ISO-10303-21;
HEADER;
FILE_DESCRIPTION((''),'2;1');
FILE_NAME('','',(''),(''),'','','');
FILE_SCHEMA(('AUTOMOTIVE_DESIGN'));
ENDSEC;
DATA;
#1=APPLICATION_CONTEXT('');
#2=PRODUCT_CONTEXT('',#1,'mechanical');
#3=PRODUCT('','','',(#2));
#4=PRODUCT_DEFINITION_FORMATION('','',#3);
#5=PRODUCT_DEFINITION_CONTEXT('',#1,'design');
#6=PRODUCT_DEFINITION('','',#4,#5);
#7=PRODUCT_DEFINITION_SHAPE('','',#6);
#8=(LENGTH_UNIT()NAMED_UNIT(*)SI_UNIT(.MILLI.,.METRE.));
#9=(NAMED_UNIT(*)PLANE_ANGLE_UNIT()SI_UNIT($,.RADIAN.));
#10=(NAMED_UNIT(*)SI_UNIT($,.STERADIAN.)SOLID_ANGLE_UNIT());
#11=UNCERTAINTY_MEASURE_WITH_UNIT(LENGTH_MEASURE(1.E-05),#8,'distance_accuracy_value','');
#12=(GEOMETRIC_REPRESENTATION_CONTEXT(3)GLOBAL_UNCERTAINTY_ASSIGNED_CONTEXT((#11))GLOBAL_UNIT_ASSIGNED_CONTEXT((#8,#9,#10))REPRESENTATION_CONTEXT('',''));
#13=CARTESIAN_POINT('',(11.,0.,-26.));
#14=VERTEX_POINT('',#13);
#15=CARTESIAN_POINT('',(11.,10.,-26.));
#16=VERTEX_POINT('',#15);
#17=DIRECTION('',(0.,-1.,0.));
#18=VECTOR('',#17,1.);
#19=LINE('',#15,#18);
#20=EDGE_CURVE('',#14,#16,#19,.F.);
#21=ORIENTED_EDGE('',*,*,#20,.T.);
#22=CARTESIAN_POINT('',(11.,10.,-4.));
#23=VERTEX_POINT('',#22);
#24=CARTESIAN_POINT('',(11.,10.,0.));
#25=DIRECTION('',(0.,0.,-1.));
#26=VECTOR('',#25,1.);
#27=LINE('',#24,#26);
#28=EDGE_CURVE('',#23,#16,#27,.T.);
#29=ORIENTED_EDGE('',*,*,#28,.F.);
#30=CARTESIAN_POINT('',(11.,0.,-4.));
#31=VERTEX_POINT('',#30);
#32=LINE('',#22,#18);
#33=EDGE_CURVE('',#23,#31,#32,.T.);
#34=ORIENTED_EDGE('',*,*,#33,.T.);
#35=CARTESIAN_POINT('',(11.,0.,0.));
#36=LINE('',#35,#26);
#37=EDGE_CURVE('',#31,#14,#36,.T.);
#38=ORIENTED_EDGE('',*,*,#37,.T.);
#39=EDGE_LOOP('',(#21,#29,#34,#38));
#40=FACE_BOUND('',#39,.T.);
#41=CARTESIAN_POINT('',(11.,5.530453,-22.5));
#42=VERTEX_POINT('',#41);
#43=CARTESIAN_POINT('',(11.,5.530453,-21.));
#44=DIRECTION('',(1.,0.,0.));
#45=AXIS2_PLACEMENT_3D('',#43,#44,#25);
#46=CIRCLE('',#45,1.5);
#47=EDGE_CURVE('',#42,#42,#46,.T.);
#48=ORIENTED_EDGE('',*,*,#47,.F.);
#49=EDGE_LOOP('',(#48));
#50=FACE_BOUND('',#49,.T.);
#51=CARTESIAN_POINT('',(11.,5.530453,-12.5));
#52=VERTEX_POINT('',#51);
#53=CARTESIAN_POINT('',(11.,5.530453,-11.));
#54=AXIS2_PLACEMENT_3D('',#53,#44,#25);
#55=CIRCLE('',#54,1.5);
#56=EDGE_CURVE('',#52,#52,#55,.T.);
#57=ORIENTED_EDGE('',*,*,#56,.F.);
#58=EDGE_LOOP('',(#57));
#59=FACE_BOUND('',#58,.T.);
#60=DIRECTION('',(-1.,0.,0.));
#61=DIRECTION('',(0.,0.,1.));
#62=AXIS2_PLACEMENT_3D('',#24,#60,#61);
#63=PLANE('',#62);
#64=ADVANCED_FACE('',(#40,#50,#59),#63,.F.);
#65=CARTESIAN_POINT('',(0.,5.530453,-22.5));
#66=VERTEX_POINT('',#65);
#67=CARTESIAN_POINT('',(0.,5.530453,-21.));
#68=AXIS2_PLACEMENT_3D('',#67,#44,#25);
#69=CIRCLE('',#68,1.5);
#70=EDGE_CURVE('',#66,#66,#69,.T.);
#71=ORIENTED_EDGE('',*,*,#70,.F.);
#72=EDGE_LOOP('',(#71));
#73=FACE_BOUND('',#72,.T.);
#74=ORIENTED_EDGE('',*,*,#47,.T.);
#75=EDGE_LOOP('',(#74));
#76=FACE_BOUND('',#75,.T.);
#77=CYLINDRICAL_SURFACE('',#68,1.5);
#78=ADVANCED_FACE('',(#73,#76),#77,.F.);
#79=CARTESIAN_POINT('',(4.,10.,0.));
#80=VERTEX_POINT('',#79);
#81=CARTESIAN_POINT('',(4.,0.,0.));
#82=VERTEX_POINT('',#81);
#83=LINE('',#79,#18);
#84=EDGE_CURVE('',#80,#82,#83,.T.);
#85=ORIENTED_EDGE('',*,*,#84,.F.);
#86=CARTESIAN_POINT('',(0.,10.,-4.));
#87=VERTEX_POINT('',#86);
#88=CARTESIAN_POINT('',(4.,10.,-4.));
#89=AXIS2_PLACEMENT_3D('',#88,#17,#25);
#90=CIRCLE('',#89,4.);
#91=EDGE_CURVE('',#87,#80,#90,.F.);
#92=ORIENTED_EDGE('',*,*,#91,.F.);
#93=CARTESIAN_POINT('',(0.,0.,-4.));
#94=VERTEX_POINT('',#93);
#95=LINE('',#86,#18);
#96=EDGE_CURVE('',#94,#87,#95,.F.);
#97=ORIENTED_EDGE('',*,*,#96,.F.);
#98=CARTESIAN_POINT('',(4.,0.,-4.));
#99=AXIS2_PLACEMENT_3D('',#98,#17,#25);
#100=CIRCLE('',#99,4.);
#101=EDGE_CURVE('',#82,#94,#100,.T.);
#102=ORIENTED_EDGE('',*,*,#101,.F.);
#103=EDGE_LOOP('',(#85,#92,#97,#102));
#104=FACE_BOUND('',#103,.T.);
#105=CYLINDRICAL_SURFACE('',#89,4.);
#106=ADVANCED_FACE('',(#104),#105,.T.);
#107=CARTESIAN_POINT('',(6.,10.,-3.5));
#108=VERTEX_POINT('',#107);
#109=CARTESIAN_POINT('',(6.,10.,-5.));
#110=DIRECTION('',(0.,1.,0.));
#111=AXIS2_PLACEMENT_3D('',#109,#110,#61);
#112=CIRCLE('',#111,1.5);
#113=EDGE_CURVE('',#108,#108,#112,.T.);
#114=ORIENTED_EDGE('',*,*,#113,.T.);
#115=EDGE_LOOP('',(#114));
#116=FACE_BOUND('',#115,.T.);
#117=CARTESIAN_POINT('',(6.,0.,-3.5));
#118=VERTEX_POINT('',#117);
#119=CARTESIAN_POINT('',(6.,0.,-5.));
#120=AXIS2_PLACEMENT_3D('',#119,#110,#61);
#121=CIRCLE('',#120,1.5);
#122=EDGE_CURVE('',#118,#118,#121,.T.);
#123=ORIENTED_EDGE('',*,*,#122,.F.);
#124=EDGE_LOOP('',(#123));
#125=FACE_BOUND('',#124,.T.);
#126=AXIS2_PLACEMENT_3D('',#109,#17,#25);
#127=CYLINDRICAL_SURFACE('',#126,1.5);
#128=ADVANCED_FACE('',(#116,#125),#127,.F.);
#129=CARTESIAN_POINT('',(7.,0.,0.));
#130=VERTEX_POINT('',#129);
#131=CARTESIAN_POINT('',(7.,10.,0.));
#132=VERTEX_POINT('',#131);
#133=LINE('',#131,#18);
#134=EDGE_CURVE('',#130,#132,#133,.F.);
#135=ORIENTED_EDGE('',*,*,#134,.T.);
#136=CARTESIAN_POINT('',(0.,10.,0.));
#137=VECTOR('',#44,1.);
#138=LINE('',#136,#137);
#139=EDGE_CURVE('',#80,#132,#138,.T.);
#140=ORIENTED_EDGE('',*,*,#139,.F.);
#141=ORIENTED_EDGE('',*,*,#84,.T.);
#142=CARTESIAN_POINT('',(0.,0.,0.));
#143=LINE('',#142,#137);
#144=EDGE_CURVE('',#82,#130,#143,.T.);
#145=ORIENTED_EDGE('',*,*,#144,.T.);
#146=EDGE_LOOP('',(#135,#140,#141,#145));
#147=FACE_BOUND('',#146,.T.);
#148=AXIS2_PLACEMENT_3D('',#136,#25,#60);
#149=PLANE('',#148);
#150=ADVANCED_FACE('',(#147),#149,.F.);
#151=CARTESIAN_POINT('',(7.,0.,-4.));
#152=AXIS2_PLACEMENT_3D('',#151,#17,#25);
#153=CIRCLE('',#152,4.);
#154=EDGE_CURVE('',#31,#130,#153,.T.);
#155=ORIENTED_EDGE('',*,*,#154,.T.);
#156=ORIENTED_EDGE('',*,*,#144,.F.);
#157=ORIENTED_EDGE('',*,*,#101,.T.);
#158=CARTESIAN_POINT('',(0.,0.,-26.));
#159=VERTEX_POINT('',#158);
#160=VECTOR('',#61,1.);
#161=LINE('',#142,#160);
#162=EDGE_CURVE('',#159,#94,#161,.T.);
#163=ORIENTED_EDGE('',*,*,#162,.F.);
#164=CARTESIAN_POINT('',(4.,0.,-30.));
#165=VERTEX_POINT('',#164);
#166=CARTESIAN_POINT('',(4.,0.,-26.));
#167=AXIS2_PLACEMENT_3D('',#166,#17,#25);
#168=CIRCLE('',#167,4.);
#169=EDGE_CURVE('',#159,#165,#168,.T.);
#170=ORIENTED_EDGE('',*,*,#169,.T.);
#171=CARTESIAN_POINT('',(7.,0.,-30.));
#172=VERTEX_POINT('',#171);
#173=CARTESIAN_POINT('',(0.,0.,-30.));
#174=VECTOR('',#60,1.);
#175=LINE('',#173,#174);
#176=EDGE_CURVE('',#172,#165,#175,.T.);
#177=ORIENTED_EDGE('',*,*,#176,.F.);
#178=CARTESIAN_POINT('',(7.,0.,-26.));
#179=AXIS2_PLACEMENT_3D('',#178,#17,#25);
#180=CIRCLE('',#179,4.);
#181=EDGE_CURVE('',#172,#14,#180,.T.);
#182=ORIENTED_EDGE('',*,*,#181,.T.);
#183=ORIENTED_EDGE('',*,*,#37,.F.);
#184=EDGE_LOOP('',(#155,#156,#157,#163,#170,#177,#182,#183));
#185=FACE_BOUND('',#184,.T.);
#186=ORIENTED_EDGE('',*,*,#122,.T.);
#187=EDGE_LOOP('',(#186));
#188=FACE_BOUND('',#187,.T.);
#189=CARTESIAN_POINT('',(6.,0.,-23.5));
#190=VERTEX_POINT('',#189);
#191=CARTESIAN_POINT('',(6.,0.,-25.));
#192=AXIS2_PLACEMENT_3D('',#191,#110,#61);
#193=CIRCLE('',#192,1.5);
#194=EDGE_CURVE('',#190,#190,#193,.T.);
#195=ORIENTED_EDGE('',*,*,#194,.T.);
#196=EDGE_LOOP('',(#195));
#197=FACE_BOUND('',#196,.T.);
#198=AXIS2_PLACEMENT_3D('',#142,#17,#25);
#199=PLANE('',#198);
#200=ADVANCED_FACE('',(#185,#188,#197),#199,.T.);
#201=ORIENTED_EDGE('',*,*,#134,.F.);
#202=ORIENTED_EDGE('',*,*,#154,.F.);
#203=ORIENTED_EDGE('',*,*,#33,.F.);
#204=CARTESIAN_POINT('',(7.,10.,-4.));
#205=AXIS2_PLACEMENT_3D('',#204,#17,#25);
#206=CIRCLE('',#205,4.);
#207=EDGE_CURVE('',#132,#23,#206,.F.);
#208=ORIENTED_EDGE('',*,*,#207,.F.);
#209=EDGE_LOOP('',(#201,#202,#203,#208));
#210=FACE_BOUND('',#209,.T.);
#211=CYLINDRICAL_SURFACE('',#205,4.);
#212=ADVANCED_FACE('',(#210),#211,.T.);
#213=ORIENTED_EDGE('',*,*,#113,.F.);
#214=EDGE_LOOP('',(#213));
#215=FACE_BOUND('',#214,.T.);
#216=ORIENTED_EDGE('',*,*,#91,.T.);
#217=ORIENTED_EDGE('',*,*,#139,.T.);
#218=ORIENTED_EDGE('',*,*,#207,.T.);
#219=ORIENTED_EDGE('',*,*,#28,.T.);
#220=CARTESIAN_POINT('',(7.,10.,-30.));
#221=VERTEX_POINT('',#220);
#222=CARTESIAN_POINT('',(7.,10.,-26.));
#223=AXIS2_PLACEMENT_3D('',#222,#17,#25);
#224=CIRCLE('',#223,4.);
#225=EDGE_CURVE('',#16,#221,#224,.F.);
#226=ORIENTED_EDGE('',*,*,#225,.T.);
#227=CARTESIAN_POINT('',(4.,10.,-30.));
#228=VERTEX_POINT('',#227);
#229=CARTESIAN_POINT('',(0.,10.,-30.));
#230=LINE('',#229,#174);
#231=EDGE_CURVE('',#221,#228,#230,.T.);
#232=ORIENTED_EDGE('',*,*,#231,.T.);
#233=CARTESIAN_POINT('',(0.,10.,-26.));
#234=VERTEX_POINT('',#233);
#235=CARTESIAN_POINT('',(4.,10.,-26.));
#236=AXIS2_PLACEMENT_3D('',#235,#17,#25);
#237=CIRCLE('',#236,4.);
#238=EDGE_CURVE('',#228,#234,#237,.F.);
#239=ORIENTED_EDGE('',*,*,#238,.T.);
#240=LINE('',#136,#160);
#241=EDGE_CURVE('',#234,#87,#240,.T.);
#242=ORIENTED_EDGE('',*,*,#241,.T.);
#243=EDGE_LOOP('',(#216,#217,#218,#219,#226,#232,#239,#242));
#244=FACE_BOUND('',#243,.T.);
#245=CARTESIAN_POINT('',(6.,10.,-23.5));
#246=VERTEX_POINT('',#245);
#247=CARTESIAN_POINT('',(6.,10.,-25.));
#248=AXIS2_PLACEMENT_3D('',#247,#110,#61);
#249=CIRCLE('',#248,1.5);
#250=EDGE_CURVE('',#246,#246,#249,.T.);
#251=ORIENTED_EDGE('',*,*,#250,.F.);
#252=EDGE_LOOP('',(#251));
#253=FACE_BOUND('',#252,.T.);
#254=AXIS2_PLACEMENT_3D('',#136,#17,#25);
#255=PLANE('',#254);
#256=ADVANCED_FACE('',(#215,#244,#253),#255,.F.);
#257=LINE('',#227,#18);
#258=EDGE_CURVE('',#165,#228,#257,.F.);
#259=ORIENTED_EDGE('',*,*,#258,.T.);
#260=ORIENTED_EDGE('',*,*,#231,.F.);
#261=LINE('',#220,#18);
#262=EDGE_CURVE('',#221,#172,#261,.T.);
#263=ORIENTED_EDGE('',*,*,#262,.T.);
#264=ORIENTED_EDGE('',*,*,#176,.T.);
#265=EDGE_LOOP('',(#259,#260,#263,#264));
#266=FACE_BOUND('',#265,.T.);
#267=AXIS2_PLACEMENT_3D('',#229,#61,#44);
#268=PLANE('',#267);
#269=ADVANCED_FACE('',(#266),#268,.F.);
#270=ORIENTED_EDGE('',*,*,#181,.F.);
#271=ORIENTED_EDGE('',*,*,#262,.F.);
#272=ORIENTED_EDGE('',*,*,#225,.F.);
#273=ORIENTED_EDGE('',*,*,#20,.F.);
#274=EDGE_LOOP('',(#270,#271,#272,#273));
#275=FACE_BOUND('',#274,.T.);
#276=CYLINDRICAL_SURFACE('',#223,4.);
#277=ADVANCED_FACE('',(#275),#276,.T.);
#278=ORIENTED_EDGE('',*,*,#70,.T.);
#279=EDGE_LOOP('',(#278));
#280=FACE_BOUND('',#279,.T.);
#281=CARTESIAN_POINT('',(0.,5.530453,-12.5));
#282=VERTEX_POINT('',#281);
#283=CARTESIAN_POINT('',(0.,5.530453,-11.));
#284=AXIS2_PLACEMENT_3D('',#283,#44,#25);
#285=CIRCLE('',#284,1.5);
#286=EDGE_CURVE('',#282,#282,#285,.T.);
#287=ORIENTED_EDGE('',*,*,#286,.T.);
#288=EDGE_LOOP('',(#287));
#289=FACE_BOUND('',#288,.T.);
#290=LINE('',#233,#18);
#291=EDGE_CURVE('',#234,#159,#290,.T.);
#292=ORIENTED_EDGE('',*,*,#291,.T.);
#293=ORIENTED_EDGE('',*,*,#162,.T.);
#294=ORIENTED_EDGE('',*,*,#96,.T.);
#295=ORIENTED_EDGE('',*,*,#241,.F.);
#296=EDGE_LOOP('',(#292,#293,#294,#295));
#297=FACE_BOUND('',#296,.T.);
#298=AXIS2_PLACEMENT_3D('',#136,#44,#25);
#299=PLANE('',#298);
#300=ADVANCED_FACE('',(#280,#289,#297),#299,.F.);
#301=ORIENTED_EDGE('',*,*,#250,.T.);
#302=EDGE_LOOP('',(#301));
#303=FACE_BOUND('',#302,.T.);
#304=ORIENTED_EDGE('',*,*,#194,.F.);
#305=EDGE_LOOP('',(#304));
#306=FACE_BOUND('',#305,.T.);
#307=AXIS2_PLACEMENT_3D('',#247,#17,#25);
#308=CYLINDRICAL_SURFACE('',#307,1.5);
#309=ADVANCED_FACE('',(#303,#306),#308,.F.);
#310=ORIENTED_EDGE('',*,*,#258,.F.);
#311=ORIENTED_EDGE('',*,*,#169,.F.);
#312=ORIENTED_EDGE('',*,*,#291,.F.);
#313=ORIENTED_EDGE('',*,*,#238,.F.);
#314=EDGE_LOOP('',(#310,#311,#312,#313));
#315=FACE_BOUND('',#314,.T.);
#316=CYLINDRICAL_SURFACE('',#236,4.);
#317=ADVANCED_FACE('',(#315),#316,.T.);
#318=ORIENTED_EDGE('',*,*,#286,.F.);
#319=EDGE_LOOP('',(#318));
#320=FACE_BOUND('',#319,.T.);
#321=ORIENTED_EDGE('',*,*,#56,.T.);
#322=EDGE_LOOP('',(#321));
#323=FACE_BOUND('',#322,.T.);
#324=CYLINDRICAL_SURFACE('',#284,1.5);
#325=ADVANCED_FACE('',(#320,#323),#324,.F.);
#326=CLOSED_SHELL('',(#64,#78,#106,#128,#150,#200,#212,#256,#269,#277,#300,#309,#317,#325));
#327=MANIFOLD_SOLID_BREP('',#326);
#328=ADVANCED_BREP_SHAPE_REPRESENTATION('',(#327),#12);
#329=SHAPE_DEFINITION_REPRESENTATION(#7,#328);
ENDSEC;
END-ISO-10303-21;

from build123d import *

# Parameters (mm, degrees)
SKETCH1_W           = 11
SKETCH1_H           = 30
SKETCH1_R           = 1.5
BOSS_EXTRUDE1_DEPTH = 10
SKETCH2_R           = 1.5
CUT_EXTRUDE1_DEPTH  = 34.481338086
FILLET1_R           = 4


with BuildPart() as part:
    # Sketch1 → Boss-Extrude1 (new body)
    with BuildSketch(Plane(origin=(0, 0, 0), x_dir=(1, 0, 0), z_dir=(0, 1, 0))):
        with Locations((5.5, 15)):
            Rectangle(SKETCH1_W, SKETCH1_H)
        with Locations(Location((6, 25, 0), (0, 0, 270))):
            Circle(SKETCH1_R, mode=Mode.SUBTRACT)
        with Locations(Location((6, 5, 0), (0, 0, 270))):
            Circle(SKETCH1_R, mode=Mode.SUBTRACT)
    extrude(amount=BOSS_EXTRUDE1_DEPTH)

    # Sketch2 → Cut-Extrude1 (cut, through all)
    with BuildSketch(Plane(origin=(11, 0, 0), x_dir=(0, 0, -1), z_dir=(1, 0, 0))):
        with Locations((11, 5.530453401)):
            Circle(SKETCH2_R)
        with Locations((21, 5.530453401)):
            Circle(SKETCH2_R)
    extrude(amount=-CUT_EXTRUDE1_DEPTH, mode=Mode.SUBTRACT)

    # Fillet1
    fillet1_edges = [part.edges().sort_by_distance(p)[0] for p in [
        (0, 5, -30),
        (11, 5, -30),
        (11, 5, 0),
        (0, 5, 0),
    ]]
    fillet(fillet1_edges, radius=FILLET1_R)


solid = part.part
